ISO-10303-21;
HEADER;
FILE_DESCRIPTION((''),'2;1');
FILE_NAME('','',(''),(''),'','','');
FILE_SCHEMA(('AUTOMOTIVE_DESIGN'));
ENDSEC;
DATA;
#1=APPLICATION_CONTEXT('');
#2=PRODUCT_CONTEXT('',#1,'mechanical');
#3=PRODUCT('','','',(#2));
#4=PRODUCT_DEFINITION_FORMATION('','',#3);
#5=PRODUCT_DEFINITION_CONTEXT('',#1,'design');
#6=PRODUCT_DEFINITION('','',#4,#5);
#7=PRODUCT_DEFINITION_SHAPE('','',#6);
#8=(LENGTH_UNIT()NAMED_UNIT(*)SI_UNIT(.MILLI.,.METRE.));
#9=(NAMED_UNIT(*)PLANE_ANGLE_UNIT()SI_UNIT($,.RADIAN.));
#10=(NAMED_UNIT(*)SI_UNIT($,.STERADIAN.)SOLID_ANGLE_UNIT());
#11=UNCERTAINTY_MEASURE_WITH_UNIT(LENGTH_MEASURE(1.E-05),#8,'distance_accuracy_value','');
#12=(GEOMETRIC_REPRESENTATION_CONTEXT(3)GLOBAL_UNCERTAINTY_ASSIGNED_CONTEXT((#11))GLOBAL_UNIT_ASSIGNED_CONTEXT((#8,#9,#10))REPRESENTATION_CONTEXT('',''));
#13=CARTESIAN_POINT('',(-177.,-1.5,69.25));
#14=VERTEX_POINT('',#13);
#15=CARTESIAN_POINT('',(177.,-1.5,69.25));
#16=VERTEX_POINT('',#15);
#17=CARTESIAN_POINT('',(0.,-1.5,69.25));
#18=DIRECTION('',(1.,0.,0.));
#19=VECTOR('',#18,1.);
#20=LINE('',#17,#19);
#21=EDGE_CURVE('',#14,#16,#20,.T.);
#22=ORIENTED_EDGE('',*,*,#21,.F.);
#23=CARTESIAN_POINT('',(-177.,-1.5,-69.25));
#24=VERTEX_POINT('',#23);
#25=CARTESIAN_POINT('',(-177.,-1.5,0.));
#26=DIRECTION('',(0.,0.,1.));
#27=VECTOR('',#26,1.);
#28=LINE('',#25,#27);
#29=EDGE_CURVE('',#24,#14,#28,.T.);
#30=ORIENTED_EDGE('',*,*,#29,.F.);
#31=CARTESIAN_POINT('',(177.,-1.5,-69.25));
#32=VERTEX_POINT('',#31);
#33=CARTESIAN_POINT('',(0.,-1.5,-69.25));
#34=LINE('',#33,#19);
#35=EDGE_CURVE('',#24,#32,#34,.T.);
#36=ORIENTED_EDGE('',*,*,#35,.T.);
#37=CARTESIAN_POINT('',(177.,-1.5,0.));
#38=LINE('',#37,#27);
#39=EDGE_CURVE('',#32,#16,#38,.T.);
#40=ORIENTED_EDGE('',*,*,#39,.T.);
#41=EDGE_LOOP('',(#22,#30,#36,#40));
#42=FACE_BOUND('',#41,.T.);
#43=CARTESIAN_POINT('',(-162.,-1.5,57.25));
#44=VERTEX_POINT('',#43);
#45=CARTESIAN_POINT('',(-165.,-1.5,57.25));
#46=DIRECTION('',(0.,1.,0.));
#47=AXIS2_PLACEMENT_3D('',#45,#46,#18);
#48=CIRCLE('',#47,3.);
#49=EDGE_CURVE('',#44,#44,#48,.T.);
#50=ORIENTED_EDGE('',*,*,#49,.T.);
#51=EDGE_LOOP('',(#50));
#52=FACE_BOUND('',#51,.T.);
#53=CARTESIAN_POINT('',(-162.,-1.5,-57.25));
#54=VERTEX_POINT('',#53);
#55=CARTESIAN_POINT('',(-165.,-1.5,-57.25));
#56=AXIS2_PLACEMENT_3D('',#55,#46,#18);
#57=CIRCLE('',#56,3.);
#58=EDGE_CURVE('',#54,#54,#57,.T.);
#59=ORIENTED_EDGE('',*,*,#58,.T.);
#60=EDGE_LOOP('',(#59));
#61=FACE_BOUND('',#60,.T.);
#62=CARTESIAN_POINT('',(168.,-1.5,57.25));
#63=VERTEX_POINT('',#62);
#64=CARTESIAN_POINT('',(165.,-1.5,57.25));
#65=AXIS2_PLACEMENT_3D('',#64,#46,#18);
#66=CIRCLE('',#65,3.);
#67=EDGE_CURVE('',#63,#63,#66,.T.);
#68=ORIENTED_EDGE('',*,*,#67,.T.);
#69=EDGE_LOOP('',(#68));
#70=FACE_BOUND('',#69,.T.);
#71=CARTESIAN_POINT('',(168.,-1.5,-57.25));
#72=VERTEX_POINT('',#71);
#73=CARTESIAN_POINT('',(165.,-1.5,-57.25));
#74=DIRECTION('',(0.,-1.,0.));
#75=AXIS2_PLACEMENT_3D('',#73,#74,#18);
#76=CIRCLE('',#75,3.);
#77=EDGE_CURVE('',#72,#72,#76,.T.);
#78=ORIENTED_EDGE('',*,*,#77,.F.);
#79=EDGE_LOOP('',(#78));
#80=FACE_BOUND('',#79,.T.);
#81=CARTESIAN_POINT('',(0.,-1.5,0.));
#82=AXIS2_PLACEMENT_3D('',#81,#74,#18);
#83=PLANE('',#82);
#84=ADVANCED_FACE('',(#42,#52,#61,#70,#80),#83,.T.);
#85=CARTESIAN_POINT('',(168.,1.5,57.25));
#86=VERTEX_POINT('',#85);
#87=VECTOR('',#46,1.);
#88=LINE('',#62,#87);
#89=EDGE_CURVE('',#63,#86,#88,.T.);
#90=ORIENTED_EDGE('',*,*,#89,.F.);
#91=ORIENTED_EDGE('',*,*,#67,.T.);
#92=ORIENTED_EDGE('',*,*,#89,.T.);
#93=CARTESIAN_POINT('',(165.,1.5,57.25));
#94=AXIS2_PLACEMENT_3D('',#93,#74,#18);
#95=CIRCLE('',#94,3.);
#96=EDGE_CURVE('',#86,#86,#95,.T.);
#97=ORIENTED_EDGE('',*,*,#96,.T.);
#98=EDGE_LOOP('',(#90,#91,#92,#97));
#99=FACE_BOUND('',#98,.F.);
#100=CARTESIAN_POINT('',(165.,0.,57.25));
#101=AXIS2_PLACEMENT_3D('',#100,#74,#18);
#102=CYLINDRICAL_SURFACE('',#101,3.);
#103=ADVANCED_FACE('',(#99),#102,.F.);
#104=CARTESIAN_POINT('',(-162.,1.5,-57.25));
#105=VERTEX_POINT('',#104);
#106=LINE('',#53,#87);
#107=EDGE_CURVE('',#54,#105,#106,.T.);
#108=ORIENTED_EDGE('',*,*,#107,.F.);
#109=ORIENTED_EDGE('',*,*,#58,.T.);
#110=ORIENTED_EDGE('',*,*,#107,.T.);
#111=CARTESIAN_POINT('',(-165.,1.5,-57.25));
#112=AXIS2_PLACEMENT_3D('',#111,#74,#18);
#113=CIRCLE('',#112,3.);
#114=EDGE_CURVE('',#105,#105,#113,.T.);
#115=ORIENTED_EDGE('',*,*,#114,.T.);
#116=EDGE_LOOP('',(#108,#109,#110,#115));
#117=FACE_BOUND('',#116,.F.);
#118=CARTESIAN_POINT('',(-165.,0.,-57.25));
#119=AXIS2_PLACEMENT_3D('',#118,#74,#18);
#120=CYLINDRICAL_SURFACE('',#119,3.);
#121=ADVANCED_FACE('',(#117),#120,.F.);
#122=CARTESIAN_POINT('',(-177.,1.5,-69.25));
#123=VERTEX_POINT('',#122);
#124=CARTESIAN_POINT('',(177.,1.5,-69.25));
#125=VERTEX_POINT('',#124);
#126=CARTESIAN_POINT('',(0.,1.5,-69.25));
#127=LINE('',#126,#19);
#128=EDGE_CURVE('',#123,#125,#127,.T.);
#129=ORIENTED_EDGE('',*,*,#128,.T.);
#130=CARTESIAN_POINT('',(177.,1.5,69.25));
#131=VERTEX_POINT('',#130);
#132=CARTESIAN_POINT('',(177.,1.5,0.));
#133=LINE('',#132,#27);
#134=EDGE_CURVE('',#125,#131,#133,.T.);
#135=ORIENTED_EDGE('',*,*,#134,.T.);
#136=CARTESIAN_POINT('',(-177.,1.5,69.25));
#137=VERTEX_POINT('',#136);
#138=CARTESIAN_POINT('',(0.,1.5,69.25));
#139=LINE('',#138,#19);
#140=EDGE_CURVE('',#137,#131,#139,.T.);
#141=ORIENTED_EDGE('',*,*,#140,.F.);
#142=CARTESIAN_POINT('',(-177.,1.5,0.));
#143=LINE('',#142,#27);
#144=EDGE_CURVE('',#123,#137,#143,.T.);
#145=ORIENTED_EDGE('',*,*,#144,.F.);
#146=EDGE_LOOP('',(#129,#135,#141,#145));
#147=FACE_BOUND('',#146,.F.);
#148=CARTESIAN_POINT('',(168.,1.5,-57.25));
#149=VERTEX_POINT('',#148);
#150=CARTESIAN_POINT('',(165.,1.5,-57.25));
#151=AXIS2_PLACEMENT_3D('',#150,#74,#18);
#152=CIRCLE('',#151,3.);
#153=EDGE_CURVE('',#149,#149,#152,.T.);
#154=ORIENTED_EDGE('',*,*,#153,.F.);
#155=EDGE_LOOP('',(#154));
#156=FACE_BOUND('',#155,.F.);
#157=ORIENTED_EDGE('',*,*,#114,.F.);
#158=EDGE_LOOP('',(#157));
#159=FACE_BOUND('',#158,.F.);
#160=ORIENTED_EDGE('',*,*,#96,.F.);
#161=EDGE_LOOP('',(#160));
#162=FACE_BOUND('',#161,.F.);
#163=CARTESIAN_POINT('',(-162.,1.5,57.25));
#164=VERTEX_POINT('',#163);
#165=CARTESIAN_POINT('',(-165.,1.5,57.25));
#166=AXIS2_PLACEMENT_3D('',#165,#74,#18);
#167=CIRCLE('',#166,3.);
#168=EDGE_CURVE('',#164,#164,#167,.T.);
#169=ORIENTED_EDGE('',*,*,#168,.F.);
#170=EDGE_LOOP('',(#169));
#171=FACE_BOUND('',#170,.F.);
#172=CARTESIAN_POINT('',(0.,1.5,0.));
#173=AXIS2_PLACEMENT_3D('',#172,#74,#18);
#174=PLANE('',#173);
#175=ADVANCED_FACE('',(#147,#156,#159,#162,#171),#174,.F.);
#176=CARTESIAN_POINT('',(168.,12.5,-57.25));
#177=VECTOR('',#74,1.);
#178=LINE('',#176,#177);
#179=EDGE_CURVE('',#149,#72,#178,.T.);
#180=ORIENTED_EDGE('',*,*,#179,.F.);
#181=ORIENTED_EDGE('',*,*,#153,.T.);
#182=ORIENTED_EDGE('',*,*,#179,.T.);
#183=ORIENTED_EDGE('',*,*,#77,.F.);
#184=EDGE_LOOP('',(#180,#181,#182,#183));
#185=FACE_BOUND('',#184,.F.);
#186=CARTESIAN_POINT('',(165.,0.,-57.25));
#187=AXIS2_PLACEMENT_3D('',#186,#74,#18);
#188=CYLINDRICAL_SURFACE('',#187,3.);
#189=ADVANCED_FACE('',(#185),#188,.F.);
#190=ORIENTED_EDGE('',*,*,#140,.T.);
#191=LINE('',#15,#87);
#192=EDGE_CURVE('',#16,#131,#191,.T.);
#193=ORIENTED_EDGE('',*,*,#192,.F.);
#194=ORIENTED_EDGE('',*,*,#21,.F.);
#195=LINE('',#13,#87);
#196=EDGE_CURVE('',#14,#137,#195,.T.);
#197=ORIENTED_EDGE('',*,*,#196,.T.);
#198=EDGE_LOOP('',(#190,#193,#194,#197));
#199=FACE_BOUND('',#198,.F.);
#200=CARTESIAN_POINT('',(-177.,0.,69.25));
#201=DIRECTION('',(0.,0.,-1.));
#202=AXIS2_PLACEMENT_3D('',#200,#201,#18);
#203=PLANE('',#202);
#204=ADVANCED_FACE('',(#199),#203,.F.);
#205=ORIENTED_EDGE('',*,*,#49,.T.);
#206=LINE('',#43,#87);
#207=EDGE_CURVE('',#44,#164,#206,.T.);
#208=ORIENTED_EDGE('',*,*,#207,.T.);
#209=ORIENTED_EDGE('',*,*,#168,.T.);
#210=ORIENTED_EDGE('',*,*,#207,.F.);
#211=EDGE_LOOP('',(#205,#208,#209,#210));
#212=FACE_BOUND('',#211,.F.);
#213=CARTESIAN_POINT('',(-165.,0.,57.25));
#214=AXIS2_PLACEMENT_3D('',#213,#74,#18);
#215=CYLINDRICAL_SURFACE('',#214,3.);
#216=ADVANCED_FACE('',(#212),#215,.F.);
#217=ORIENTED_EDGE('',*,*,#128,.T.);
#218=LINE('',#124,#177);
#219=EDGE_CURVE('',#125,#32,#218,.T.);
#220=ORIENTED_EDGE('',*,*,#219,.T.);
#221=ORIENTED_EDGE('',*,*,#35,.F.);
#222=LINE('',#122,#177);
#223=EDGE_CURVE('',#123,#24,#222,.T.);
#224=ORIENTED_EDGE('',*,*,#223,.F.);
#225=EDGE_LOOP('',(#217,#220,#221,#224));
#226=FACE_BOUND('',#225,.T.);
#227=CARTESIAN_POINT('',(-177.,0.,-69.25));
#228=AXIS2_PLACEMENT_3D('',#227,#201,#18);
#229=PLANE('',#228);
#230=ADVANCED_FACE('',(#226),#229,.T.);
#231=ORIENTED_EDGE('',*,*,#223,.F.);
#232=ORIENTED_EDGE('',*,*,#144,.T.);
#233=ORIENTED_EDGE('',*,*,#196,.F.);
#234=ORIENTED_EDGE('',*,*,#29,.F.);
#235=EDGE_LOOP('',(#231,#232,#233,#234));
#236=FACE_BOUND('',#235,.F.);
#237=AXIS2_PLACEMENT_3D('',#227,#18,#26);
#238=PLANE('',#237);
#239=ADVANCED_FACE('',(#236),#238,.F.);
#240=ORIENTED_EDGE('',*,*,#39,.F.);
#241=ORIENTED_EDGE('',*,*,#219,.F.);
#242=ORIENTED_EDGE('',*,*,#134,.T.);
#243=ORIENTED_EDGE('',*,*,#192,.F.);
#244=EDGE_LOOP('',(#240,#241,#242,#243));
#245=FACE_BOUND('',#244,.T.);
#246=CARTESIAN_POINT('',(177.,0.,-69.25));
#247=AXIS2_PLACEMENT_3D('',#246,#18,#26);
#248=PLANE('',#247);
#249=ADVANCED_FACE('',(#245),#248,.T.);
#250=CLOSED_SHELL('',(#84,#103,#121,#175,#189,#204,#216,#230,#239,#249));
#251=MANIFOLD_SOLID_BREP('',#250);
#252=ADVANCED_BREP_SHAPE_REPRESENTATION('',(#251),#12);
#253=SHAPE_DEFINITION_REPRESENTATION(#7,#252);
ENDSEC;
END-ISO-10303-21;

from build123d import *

# Parameters (mm, degrees)
F0_W     = 354
F0_H     = 138.5
F1_DEPTH = 1.5
F2_R     = 3
F3_DEPTH = 12.5


with BuildPart() as f1:
    # F0 (on Front) → F1 (new body, symmetric)
    with BuildSketch(Plane.XZ):
        Rectangle(F0_W, F0_H)
    extrude(amount=F1_DEPTH, both=True)

    # F2 (on Front) → F3 (cut, symmetric)
    with BuildSketch(Plane.XZ):
        with Locations((-165, 57.25)):
            Circle(F2_R)
        with Locations((-165, -57.25)):
            Circle(F2_R)
        with Locations((165, 57.25)):
            Circle(F2_R)
        with Locations((165, -57.25)):
            Circle(F2_R)
    extrude(amount=F3_DEPTH, both=True, mode=Mode.SUBTRACT)


solid = f1.part
